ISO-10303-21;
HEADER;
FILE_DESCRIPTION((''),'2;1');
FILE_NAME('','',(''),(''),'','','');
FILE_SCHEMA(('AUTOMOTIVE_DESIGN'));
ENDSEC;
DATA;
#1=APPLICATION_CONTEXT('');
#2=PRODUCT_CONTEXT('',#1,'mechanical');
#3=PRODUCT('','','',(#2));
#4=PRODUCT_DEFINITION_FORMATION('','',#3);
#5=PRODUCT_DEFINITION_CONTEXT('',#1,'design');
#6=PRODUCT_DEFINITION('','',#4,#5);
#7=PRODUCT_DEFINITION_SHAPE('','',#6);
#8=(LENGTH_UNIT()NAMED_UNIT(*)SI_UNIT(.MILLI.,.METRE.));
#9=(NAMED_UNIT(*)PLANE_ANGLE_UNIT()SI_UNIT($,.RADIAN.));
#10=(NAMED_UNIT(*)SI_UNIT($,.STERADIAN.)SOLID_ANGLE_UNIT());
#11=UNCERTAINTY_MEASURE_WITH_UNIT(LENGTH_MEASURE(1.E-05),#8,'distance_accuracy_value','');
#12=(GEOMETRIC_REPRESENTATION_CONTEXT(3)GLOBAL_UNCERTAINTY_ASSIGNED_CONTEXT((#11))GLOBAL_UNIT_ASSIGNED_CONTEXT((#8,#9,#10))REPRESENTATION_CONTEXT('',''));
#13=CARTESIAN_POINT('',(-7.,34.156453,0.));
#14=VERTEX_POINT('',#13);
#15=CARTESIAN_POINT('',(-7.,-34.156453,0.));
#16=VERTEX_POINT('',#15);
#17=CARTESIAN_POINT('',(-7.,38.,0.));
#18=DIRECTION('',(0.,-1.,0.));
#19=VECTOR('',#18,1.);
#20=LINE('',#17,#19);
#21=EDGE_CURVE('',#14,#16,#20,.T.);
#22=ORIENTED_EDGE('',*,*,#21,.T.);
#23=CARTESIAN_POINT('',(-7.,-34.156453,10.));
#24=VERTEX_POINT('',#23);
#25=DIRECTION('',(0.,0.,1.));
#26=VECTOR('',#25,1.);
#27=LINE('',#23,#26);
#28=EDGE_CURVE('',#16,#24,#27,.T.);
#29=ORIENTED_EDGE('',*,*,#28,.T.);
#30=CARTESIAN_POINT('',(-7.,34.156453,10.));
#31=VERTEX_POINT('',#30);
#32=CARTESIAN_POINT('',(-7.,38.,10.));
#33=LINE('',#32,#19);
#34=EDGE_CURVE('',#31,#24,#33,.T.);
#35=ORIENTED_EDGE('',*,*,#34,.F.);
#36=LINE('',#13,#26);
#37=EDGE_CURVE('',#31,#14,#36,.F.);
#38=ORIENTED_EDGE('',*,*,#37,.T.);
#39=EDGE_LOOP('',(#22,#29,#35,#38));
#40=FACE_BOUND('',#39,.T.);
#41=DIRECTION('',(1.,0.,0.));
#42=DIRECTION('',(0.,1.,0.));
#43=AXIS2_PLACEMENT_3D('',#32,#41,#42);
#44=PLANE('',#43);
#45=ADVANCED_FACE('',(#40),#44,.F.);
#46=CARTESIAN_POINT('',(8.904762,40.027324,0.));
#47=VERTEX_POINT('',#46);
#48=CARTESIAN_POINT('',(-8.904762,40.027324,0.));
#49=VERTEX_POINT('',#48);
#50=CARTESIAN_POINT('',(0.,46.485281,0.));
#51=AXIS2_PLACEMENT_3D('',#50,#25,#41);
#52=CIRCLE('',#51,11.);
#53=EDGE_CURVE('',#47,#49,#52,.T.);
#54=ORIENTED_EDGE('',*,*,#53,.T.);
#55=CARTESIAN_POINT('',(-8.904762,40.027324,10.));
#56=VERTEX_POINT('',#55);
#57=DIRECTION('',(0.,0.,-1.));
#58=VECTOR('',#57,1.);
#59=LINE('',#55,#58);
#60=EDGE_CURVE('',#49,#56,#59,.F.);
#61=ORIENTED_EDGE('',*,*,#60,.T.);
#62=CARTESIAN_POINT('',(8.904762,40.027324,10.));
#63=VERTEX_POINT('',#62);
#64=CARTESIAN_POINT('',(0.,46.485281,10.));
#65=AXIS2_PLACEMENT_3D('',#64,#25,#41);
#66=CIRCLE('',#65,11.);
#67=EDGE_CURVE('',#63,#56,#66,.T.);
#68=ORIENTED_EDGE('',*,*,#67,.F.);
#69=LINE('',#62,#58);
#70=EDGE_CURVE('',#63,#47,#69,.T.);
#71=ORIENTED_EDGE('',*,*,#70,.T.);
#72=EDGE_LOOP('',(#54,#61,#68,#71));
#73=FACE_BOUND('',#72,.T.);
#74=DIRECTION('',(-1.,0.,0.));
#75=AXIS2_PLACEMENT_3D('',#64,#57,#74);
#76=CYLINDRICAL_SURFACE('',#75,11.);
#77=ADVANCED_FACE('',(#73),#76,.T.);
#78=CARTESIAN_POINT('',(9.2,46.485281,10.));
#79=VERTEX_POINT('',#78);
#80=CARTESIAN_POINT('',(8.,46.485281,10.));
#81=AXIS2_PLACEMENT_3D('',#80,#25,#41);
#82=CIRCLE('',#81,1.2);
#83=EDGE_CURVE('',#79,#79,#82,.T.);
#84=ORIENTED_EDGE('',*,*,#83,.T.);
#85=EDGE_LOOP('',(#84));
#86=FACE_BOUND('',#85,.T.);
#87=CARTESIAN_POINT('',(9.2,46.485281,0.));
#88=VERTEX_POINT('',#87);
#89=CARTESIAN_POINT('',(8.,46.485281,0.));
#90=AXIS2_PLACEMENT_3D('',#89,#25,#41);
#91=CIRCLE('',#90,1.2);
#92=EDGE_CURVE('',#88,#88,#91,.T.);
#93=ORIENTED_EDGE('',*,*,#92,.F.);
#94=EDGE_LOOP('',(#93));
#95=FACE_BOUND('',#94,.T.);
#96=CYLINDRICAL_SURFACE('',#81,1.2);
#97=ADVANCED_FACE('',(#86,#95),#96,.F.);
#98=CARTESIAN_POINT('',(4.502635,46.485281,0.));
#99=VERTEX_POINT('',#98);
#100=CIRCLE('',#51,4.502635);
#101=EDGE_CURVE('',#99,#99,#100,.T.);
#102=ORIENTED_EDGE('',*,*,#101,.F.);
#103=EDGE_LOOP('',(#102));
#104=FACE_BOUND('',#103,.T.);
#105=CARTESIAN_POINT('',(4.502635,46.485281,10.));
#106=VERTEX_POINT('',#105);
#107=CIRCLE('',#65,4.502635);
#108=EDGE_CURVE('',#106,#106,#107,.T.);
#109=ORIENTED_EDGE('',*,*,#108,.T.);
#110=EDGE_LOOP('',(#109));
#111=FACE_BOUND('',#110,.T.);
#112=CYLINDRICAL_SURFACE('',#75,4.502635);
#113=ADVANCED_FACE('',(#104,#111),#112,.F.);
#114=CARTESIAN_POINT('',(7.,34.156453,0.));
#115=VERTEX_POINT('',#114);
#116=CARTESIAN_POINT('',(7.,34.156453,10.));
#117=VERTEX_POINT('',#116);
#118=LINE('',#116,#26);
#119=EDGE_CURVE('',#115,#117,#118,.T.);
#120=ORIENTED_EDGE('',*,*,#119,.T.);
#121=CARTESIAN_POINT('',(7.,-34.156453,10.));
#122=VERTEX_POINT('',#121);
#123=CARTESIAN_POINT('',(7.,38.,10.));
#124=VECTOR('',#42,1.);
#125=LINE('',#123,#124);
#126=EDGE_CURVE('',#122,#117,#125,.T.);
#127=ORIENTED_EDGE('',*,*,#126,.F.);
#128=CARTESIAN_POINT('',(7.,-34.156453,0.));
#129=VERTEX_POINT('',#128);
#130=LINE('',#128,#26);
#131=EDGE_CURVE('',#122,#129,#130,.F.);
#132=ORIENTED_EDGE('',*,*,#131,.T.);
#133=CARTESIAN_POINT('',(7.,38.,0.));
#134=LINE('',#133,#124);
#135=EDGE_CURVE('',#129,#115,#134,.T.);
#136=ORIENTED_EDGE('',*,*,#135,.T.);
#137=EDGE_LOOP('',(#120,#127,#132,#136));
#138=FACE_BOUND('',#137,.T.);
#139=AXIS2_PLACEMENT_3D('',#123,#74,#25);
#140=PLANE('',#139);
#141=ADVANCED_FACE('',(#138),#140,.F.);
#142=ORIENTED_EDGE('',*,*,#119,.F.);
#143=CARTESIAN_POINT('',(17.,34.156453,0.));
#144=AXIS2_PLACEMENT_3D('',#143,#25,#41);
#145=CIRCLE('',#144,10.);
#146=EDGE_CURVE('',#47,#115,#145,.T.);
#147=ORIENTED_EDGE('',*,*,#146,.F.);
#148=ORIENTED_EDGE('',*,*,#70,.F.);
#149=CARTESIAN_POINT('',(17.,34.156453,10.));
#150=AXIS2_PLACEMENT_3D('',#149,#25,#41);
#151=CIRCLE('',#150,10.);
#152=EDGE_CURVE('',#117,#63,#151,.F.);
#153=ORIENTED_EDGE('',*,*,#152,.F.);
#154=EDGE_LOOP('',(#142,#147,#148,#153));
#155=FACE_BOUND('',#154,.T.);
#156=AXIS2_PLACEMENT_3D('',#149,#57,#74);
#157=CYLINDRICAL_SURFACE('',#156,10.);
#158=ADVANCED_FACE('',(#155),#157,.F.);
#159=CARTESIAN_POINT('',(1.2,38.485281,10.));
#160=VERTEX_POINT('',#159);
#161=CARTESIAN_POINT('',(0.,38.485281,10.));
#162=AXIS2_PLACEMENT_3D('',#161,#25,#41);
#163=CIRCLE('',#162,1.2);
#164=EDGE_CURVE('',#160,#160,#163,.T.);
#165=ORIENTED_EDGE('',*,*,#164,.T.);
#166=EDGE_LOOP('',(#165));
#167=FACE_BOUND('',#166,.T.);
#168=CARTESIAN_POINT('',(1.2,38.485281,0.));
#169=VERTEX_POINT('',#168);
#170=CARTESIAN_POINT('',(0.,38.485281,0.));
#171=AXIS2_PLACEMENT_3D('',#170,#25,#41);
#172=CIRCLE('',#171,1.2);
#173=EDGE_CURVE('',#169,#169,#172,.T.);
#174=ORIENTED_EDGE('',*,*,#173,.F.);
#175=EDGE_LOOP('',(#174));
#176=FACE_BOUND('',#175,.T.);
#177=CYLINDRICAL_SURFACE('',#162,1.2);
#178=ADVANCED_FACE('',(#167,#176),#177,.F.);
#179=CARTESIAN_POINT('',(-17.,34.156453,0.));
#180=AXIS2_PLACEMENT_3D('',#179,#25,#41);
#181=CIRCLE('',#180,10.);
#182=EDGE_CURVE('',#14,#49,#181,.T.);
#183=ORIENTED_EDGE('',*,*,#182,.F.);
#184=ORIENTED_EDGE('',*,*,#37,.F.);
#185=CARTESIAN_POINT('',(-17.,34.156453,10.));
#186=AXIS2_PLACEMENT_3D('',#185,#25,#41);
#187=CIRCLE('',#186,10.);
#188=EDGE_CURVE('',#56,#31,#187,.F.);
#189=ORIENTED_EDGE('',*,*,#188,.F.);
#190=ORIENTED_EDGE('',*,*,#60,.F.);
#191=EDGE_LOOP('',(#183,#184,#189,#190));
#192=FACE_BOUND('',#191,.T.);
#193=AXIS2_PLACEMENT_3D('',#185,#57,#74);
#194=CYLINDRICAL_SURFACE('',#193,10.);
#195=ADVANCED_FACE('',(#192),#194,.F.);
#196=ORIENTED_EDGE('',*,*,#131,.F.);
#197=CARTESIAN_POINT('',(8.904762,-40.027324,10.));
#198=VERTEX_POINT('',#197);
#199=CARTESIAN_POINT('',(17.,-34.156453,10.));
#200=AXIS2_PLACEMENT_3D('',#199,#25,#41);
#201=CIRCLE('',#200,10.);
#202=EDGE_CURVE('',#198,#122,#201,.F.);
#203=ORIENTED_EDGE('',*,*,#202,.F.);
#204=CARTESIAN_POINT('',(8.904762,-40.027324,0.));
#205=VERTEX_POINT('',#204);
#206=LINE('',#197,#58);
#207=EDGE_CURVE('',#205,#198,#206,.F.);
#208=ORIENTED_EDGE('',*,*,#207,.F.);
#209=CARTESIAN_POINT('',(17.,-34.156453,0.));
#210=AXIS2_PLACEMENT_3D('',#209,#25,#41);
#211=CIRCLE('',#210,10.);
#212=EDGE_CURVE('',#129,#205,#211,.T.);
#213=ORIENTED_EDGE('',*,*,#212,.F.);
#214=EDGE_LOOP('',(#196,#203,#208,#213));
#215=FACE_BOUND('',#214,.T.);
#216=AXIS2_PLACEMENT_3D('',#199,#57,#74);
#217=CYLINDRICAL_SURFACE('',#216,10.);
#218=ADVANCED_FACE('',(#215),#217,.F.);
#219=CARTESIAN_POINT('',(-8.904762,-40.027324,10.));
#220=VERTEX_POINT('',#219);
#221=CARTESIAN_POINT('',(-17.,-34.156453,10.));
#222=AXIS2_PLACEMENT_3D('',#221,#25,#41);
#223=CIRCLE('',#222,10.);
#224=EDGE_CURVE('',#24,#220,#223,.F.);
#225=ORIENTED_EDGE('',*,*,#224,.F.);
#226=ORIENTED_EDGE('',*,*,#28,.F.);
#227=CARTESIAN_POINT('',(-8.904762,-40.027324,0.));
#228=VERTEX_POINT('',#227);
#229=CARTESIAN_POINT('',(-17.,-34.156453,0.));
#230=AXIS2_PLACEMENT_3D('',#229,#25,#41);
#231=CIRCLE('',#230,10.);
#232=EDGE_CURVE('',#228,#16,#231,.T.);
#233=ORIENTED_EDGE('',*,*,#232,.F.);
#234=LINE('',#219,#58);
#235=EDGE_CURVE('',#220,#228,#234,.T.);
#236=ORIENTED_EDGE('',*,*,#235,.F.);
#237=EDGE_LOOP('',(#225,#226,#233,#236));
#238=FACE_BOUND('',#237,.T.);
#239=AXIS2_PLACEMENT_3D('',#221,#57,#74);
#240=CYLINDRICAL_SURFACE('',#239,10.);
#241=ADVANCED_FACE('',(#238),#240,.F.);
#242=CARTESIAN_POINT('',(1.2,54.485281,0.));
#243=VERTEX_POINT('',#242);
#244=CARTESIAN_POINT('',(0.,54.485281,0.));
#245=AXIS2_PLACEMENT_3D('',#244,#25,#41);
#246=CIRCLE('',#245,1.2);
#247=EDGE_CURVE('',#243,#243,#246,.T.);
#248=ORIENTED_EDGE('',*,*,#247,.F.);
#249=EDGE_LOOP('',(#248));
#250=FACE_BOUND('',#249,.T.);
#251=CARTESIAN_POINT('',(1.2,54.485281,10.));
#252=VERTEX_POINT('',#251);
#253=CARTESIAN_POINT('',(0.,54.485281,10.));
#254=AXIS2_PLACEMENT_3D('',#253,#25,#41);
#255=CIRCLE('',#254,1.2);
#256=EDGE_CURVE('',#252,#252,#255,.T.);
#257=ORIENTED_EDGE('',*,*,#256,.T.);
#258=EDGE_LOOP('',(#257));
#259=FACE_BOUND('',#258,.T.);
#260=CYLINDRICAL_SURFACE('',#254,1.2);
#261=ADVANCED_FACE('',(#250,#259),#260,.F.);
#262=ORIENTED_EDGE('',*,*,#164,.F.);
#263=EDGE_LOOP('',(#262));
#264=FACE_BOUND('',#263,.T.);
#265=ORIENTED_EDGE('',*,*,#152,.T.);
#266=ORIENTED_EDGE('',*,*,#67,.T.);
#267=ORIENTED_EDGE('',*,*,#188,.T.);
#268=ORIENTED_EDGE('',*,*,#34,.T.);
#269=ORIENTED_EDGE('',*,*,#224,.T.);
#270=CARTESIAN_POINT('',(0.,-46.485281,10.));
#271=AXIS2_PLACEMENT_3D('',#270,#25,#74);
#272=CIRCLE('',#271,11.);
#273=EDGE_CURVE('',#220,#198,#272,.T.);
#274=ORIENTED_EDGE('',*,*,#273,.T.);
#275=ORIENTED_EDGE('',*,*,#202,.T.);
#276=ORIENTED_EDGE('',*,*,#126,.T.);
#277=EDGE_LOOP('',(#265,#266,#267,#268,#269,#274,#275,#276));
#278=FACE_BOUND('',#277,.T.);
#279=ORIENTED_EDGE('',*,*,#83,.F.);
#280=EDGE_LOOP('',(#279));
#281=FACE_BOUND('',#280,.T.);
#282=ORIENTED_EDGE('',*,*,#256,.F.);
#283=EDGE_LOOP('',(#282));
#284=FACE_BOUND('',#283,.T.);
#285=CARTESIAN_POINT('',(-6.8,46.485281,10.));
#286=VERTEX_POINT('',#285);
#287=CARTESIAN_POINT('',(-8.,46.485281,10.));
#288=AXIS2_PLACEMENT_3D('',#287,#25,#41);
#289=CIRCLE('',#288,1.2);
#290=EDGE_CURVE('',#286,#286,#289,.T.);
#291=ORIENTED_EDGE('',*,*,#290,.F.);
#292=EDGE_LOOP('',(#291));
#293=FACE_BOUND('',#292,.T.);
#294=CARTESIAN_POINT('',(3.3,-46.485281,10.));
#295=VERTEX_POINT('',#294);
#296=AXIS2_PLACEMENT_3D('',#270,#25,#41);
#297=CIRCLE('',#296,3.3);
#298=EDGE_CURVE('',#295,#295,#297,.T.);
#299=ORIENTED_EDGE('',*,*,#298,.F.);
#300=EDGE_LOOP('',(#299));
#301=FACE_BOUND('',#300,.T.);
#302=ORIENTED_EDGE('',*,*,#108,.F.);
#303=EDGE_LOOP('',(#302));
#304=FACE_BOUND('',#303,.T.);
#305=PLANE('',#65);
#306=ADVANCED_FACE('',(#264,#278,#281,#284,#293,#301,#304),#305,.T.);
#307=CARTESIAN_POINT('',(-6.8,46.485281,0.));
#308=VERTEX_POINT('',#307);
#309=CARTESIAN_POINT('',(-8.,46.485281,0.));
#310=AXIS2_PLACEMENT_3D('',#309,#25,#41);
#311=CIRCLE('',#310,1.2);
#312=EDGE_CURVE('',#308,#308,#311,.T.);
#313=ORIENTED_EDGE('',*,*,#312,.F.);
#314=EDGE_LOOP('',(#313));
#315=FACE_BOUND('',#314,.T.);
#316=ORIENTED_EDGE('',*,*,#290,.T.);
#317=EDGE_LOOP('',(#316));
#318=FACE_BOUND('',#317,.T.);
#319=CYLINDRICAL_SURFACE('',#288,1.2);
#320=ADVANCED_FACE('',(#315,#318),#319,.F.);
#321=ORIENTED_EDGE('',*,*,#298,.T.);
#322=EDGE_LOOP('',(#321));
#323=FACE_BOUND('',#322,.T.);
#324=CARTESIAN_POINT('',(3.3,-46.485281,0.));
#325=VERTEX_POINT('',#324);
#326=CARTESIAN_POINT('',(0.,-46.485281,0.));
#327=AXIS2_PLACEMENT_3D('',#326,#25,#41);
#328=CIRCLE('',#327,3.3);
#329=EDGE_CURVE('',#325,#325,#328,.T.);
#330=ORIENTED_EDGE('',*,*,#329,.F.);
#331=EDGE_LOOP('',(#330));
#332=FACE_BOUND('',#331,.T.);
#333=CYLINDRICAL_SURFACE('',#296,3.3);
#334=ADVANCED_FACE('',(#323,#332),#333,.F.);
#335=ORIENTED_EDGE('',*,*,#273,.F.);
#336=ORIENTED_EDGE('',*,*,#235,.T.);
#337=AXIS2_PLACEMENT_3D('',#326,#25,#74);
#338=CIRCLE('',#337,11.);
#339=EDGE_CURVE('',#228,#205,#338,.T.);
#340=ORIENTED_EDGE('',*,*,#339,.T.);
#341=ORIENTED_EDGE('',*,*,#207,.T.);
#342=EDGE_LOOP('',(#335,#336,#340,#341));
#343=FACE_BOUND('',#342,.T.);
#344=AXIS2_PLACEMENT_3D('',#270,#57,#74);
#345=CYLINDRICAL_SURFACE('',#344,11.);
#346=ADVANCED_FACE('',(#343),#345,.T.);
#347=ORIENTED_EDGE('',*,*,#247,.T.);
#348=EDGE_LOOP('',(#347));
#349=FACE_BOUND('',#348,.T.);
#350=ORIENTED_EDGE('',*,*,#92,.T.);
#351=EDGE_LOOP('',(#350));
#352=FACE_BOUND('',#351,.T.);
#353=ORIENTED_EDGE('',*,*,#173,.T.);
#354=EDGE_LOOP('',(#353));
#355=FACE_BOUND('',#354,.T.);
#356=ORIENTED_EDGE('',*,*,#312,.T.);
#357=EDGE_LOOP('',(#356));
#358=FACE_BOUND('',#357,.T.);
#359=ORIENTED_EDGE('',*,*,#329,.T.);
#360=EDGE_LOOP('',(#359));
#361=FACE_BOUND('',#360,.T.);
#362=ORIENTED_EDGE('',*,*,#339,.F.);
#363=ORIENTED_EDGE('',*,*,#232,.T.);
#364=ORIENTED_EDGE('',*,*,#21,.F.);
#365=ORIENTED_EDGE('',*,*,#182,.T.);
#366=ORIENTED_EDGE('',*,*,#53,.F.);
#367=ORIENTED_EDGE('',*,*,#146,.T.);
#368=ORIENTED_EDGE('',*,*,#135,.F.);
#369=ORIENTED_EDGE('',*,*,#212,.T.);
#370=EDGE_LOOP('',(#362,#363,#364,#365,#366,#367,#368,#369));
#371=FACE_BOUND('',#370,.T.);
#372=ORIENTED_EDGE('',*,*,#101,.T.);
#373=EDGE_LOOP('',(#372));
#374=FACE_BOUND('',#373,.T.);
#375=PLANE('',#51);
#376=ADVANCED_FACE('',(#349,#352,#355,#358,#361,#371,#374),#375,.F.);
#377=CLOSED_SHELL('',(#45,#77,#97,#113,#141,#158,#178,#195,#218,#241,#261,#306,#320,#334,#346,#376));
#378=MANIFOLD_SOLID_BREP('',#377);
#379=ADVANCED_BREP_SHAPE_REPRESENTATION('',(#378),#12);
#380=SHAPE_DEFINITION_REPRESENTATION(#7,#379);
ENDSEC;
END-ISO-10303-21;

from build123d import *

# Parameters (mm, degrees)
ESQUISSE1_R        = 4.502635458
BOSS_EXTRU_1_DEPTH = 10
D_GAGEMENT_M21_D   = 2.4
CONG_1_R           = 10
D_GAGEMENT_M61_D   = 6.6


with BuildPart() as part:
    # Esquisse1 → Boss.-Extru.1 (new body)
    with BuildSketch(Plane.XY):
        with BuildLine():
            Line((-7, 38), (-7, -38))
            ThreePointArc((-7, -38), (0, -57.485281374), (7, -38))
            Line((7, -38), (7, 38))
            ThreePointArc((7, 38), (0, 57.485281374), (-7, 38))
        make_face()
        with Locations((0, 46.485281374)):
            Circle(ESQUISSE1_R, mode=Mode.SUBTRACT)
    extrude(amount=BOSS_EXTRU_1_DEPTH)

    # Dégagement M21 (through all)
    with Locations(Plane.XY.offset(10)):
        with Locations((-8, 46.485281374), (0, 54.485281374), (8, 46.485281374), (0, 38.485281374)):
            Hole(D_GAGEMENT_M21_D / 2)

    # Congé1
    cong_1_edges = [part.edges().sort_by_distance(p)[0] for p in [
        (7, 38, 5),
        (7, -38, 5),
        (-7, -38, 5),
        (-7, 38, 5),
    ]]
    fillet(cong_1_edges, radius=CONG_1_R)

    # Dégagement M61 (through all)
    with Locations(Plane.XY.offset(10)):
        with Locations((0, -46.485281374)):
            Hole(D_GAGEMENT_M61_D / 2)


solid = part.part
